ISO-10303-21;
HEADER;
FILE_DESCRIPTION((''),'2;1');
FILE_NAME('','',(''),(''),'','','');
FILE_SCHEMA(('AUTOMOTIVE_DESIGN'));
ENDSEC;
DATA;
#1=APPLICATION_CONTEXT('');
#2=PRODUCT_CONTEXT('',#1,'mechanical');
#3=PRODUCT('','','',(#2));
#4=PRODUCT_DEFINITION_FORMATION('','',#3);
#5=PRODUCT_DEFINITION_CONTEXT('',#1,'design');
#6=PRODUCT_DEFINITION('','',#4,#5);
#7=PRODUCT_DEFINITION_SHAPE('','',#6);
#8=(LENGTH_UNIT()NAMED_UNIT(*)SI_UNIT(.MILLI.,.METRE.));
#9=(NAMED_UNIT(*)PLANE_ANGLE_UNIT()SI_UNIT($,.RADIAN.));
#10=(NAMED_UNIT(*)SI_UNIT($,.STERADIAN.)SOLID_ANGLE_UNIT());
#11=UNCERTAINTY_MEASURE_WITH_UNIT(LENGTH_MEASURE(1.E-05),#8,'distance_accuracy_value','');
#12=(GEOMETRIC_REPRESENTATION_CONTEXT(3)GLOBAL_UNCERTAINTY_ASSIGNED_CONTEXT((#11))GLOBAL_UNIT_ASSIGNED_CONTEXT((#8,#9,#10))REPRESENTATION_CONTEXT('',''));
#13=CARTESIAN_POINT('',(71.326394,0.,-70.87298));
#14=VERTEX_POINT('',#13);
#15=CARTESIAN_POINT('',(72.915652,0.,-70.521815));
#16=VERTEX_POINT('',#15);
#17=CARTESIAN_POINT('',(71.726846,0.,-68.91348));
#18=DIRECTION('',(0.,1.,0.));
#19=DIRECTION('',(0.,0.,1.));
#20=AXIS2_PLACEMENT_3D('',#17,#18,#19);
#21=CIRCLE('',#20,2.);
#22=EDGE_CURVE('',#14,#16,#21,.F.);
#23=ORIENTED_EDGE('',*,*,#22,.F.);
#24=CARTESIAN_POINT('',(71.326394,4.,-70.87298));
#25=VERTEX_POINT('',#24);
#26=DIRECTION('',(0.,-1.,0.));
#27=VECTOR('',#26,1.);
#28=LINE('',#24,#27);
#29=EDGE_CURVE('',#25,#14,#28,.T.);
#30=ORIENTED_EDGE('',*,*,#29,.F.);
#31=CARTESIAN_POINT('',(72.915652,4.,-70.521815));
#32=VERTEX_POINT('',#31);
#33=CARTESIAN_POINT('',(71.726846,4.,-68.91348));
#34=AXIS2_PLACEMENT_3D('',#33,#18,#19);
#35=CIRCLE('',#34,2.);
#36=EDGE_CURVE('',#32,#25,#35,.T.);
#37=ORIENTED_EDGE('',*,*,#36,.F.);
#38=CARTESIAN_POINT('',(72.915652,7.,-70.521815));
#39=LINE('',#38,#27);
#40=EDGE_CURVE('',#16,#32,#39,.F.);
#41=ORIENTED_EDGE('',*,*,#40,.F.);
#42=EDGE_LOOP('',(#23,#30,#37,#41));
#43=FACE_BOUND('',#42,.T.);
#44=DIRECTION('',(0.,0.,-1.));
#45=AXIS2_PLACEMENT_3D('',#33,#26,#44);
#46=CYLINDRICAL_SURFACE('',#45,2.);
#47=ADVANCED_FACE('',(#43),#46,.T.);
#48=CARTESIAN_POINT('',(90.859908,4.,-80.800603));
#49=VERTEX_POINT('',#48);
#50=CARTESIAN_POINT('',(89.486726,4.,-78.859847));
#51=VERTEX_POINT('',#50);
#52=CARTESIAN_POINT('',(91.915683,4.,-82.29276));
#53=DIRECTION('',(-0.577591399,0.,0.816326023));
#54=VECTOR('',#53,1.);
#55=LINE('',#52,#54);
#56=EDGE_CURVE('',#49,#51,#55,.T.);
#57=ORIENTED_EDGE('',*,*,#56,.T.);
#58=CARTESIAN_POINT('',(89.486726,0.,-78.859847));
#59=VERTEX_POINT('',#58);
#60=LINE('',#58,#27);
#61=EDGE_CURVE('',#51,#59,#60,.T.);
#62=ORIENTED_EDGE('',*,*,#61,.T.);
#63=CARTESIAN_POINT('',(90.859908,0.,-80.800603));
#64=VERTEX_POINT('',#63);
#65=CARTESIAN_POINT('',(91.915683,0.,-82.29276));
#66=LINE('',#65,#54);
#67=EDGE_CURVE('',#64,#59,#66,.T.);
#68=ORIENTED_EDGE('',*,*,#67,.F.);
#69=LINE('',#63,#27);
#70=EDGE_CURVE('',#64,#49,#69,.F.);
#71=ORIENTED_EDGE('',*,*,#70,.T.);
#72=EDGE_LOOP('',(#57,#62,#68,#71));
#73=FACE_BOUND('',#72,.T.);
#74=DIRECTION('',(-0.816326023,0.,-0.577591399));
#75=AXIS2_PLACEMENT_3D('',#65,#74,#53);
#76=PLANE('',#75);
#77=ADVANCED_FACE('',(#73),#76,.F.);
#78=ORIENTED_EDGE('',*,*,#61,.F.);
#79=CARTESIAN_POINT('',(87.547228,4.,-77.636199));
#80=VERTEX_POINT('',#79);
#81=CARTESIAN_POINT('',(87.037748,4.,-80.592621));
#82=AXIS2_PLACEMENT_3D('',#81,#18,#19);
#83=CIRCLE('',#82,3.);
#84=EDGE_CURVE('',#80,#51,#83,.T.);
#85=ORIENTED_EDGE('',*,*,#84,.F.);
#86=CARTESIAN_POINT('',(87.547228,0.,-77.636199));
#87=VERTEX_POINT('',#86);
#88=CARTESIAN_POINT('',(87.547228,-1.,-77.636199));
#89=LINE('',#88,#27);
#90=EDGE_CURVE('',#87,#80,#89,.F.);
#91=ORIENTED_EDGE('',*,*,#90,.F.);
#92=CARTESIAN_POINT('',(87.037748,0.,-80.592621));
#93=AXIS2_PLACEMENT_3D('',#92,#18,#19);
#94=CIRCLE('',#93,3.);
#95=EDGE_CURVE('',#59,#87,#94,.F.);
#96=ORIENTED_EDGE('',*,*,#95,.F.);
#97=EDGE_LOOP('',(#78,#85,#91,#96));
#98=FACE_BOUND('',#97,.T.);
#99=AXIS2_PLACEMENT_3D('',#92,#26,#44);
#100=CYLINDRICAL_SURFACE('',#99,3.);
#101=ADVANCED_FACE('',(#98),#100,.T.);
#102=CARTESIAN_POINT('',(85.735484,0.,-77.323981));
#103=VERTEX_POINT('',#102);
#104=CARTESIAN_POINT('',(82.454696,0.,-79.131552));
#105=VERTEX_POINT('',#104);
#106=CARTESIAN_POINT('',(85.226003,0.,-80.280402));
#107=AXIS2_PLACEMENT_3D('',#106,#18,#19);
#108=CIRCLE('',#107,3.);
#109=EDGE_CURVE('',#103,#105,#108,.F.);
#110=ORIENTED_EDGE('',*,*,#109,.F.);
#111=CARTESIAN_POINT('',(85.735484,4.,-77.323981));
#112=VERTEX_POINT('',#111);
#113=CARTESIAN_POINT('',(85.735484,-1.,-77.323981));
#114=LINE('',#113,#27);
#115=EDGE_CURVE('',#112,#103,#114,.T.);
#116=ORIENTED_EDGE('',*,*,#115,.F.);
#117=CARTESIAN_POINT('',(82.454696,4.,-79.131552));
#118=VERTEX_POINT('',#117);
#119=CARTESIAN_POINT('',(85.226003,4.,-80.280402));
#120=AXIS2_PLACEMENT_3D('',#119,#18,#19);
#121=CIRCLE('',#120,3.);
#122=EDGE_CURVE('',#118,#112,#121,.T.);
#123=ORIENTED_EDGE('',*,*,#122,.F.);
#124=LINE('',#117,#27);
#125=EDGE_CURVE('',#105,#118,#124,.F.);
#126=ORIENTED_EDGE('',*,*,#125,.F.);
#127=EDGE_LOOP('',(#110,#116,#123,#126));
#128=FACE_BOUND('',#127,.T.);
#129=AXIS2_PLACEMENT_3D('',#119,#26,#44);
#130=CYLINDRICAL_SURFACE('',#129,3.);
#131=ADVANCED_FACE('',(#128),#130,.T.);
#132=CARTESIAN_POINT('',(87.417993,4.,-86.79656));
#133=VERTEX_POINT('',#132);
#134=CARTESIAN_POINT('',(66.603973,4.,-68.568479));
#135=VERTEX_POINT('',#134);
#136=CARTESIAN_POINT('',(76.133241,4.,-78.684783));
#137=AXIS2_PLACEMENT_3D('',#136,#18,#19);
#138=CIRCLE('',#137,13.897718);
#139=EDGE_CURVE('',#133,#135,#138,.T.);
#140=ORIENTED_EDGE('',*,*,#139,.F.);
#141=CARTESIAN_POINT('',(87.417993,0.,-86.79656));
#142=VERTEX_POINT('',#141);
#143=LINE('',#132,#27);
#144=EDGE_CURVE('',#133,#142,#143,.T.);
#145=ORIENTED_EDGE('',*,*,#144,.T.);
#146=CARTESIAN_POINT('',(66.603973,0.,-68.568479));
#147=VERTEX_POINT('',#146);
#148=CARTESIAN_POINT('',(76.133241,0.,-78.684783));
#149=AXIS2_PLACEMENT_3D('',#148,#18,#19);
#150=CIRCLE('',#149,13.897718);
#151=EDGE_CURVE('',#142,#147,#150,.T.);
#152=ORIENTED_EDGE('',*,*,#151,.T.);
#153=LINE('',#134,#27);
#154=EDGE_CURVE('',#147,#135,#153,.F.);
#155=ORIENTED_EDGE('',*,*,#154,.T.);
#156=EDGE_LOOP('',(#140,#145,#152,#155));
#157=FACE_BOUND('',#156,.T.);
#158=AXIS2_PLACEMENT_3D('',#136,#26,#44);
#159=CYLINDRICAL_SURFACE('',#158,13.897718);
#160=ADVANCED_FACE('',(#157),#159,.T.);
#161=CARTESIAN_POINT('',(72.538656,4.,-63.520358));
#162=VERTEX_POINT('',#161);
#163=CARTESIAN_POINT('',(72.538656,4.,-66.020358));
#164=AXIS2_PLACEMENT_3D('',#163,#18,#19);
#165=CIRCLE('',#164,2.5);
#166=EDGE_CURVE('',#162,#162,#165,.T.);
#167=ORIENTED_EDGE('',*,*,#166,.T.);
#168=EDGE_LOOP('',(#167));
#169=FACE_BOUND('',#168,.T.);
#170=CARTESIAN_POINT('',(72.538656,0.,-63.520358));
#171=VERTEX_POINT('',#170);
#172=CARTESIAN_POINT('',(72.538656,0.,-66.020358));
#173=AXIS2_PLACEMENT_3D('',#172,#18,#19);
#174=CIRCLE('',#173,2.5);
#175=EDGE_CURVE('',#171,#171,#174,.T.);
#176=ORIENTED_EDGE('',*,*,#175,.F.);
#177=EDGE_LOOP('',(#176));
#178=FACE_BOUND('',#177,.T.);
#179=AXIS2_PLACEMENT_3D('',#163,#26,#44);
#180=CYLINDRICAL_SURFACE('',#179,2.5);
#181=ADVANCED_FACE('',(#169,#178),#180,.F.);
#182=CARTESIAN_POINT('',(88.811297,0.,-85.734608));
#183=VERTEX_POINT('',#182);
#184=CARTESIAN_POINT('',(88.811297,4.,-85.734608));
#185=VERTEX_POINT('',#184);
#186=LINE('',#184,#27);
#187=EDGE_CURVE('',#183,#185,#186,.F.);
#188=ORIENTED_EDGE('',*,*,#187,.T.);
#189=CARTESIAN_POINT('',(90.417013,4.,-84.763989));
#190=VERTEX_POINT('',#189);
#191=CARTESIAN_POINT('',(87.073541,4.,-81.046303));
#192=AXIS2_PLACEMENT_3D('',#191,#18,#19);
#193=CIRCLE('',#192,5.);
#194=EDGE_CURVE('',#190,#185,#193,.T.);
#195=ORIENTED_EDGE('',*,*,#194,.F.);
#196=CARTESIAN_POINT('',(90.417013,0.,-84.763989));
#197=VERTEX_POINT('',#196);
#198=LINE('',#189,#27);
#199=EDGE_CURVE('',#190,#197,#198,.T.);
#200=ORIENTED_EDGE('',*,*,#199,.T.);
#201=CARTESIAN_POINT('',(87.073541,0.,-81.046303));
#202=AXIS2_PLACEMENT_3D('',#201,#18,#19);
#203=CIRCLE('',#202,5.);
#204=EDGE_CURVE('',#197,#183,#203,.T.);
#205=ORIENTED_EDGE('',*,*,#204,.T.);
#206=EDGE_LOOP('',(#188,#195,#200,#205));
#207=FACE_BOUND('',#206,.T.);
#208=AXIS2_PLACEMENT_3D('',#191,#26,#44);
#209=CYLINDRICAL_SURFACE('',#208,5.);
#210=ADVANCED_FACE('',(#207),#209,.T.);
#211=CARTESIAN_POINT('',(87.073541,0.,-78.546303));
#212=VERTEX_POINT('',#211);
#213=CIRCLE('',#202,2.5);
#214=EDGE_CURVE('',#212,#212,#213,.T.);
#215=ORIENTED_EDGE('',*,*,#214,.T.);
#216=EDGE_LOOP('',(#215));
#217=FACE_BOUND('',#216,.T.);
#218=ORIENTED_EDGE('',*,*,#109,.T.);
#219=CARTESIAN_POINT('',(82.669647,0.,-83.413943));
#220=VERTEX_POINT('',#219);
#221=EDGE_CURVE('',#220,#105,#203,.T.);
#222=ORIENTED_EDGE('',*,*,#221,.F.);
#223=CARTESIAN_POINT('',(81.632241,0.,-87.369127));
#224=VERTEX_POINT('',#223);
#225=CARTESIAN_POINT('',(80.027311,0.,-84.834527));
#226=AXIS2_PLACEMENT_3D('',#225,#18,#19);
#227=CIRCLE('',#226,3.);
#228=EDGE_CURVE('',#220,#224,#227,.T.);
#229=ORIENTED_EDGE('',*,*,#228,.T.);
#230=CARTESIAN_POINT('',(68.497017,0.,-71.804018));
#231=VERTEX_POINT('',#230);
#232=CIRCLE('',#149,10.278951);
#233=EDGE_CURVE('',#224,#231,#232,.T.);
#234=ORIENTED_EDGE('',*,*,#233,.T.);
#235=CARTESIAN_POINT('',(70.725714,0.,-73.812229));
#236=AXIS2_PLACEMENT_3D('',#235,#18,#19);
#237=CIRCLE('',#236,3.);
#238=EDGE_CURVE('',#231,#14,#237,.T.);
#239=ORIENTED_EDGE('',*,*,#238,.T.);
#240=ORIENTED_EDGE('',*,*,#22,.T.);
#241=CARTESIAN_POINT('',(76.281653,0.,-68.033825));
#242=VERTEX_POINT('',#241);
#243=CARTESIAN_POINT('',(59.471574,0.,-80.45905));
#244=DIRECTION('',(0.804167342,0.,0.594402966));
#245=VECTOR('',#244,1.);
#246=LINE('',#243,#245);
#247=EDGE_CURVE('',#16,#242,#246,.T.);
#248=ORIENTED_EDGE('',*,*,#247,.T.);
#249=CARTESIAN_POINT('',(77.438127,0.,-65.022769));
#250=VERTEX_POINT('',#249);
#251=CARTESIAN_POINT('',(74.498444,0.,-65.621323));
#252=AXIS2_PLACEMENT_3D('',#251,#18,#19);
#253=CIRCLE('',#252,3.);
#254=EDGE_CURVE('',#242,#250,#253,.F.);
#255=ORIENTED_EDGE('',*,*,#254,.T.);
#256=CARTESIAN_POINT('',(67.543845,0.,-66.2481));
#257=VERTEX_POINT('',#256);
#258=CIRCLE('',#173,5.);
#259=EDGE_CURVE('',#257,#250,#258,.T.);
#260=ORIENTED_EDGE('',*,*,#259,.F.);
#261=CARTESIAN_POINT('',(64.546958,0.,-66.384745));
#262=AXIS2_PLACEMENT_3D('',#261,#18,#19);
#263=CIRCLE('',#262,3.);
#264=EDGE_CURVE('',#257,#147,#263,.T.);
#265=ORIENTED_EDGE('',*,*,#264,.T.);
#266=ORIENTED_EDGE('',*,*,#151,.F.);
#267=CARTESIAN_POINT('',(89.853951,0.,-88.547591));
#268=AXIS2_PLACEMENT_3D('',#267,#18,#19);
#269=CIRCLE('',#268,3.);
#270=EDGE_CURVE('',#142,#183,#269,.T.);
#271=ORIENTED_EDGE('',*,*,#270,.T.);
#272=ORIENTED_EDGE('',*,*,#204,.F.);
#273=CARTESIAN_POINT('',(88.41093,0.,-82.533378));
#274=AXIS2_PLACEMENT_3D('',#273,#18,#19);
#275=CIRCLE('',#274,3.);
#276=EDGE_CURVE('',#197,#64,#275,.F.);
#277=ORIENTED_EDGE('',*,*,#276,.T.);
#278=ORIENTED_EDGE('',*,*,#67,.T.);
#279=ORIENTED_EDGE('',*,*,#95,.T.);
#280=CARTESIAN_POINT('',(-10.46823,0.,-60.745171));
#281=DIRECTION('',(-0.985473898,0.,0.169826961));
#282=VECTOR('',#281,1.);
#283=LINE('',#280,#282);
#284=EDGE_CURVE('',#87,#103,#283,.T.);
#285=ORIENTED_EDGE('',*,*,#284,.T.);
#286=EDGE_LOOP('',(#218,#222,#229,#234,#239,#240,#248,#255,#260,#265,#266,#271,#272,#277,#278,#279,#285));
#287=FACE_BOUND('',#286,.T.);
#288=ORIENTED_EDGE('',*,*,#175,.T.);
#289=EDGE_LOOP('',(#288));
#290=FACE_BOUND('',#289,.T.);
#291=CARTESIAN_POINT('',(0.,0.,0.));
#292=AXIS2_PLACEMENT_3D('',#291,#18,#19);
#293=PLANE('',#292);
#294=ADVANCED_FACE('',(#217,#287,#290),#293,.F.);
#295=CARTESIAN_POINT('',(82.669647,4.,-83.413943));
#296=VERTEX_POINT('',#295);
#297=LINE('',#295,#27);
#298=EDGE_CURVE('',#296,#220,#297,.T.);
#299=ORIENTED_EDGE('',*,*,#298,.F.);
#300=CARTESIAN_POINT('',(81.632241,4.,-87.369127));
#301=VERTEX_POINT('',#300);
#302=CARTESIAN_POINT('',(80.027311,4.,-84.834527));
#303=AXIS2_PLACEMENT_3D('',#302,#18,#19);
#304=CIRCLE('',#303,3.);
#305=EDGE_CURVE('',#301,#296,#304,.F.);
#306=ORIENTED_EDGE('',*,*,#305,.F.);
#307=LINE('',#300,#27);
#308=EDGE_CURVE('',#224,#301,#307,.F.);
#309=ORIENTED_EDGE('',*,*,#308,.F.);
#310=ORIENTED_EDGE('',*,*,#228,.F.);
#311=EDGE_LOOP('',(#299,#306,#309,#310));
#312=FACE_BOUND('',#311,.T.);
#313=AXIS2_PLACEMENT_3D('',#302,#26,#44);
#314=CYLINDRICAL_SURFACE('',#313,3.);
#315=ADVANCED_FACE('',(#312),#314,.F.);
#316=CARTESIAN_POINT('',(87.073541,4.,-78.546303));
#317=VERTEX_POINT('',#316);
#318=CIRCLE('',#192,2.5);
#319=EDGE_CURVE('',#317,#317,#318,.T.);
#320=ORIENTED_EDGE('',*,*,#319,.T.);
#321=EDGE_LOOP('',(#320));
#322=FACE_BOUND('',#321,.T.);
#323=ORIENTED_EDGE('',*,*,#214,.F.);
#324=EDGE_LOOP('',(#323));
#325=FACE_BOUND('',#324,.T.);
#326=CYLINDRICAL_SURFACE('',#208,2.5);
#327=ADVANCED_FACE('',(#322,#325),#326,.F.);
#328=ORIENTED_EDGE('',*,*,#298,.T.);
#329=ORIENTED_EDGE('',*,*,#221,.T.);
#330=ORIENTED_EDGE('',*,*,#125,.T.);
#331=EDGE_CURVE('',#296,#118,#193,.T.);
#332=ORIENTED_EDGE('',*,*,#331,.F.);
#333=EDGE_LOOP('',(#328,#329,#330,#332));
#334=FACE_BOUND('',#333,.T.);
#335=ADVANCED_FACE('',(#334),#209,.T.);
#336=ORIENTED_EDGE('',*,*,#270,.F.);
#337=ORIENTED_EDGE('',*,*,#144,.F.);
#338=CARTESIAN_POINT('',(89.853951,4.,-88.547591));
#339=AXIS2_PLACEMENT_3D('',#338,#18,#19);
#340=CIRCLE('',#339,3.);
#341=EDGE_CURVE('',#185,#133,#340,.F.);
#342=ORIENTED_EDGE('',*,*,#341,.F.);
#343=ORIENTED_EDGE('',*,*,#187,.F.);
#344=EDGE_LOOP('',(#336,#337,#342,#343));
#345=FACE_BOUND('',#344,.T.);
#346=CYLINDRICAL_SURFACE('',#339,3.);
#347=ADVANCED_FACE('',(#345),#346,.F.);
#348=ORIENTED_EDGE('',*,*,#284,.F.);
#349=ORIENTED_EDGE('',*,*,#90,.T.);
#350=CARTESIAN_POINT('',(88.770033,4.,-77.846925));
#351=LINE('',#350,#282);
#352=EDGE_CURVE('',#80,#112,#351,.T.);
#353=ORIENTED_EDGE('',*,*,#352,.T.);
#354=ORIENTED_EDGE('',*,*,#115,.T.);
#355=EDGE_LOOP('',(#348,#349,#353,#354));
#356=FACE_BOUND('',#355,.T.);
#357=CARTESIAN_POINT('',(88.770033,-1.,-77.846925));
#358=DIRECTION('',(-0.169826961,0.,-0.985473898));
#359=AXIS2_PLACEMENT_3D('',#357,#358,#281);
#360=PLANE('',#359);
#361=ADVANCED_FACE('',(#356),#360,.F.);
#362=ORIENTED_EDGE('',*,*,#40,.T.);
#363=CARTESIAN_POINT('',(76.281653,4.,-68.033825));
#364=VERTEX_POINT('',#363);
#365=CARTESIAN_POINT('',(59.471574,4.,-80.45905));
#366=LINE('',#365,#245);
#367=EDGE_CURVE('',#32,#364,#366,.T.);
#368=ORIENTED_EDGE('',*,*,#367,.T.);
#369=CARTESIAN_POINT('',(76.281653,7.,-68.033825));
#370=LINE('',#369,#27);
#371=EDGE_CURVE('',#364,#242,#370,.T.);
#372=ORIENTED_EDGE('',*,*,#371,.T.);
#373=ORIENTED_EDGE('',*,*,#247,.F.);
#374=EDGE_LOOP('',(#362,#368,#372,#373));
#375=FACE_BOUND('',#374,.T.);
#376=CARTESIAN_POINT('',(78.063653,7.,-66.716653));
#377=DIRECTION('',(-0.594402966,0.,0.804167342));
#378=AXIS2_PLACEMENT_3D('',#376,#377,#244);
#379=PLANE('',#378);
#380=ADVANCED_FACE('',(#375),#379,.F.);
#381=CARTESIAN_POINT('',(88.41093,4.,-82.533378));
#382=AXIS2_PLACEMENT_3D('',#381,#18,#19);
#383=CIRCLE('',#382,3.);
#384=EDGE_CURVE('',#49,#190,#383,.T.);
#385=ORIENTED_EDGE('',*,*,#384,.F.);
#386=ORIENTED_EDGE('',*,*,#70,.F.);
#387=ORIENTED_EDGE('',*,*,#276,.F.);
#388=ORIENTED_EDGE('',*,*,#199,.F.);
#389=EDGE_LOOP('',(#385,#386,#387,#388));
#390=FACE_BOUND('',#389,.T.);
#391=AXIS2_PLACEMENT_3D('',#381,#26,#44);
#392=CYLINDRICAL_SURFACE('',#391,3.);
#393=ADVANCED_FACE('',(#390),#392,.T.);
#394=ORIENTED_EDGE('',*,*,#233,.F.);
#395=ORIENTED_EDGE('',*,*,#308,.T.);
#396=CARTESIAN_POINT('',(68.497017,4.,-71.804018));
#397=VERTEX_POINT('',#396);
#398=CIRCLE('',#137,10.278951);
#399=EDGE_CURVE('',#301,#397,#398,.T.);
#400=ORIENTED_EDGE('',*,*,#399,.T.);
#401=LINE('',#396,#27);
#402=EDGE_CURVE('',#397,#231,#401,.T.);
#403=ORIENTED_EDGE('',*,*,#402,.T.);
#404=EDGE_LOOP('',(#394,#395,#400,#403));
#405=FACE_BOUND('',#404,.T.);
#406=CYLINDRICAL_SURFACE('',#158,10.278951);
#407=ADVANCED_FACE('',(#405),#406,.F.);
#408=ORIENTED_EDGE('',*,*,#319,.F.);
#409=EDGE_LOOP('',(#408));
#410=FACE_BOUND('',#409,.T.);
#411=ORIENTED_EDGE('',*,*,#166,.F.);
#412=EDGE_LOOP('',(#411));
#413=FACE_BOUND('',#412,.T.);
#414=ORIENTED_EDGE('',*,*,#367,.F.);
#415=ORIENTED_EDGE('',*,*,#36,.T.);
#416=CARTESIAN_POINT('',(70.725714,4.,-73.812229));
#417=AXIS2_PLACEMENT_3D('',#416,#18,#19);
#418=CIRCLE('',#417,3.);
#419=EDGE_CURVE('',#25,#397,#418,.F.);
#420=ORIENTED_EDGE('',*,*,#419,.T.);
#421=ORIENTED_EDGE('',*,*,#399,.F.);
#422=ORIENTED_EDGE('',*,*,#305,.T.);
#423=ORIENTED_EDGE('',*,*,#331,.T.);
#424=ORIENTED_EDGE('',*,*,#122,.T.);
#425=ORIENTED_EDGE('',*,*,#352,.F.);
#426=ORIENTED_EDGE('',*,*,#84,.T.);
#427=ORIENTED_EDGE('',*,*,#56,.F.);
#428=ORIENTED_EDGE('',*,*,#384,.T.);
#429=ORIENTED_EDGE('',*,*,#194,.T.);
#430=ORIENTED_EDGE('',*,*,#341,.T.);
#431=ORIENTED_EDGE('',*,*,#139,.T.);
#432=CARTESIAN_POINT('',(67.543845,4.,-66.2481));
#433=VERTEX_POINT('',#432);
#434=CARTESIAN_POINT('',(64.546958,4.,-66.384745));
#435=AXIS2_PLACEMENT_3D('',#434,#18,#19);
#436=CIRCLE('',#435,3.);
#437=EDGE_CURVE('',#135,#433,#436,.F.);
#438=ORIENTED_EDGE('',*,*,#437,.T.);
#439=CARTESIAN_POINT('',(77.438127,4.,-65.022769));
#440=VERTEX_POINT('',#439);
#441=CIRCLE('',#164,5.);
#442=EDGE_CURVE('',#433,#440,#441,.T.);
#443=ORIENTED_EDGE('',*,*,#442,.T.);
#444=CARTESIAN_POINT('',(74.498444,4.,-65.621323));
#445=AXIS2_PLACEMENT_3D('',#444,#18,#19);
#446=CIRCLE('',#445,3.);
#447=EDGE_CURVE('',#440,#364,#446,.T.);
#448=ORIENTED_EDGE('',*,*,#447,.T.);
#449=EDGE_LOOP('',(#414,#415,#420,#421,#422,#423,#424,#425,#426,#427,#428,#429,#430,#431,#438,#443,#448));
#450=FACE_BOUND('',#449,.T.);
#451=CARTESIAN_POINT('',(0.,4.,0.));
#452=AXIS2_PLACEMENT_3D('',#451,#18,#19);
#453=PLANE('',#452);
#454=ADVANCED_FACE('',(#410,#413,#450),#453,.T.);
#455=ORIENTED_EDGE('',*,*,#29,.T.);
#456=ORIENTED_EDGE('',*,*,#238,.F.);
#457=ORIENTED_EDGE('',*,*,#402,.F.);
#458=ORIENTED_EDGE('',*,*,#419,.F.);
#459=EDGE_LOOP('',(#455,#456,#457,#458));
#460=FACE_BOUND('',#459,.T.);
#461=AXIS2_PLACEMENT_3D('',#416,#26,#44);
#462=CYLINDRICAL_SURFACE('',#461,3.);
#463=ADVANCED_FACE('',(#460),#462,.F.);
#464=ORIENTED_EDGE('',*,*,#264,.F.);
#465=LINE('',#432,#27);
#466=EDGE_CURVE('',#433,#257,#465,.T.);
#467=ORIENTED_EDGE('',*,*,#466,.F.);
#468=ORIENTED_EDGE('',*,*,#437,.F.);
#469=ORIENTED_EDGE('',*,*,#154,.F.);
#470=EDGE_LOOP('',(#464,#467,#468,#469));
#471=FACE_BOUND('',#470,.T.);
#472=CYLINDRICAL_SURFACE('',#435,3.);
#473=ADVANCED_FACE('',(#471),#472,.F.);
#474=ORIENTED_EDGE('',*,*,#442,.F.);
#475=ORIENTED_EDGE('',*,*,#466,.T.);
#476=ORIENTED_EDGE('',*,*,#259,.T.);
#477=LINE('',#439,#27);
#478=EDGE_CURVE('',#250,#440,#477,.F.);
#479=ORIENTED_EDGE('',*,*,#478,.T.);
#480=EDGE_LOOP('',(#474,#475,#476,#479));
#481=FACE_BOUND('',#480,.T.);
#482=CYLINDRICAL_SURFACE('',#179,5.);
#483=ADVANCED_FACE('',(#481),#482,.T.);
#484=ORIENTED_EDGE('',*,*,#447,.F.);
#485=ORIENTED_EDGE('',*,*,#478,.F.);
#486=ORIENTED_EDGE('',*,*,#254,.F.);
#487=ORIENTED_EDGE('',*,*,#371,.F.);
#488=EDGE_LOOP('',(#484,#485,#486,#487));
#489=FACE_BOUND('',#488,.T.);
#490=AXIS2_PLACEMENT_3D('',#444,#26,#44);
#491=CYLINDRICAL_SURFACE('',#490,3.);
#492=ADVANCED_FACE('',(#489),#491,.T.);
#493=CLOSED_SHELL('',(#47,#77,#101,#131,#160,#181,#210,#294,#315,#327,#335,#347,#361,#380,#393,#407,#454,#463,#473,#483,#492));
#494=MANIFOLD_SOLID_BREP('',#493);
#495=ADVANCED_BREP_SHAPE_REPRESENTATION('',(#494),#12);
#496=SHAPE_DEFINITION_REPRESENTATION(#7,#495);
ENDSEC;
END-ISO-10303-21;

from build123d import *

# Parameters (mm, degrees)
SKETCH2_R           = 2.5
BOSS_EXTRUDE1_DEPTH = 4
FILLET1_R           = 3
CUT_EXTRUDE2_DEPTH  = 7
FILLET2_R           = 3
FILLET3_R           = 2
CUT_EXTRUDE3_DEPTH  = 4
FILLET4_R           = 3
CUT_EXTRUDE4_DEPTH  = 5
FILLET5_R           = 3


with BuildPart() as part:
    # Sketch2 → Boss-Extrude1 (new body)
    with BuildSketch(Plane(origin=(0, 0, 0), x_dir=(1, 0, 0), z_dir=(0, 1, 0))):
        with BuildLine():
            ThreePointArc((70.082441242, 70.375471459), (68.701032678, 85.785425288), (84.157953122, 85.10824213))
            ThreePointArc((84.157953122, 85.10824213), (88.169530247, 76.167900978), (87.971523368, 85.965004847))
            ThreePointArc((87.971523368, 85.965004847), (66.773130519, 88.957801307), (67.785886209, 67.573156911))
            ThreePointArc((67.785886209, 67.573156911), (76.405902982, 62.851068524), (70.082441242, 70.375471459))
        make_face()
        with Locations(Location((72.538655529, 66.020358214, 0), (0, 0, 270))):
            Circle(SKETCH2_R, mode=Mode.SUBTRACT)
        with Locations(Location((87.073540725, 81.04630307, 0), (0, 0, 270))):
            Circle(SKETCH2_R, mode=Mode.SUBTRACT)
    extrude(amount=BOSS_EXTRUDE1_DEPTH)

    # Fillet1
    fillet1_edges = [part.edges().sort_by_distance(p)[0] for p in [
        (84.157953122, 2, -85.10824213),
        (70.082441242, 2, -70.375471459),
        (67.785886209, 2, -67.573156911),
        (87.971523368, 2, -85.965004847),
    ]]
    fillet(fillet1_edges, radius=FILLET1_R)

    # Sketch4 → Cut-Extrude2 (cut)
    with BuildSketch(Plane(origin=(0, 0, 0), x_dir=(-1, 0, 0), z_dir=(0, -1, 0))):
        Polygon((-78.063653069, 66.716653157), (-72.1449642, 71.091471725), (-73.077184563, 72.352671977), (-78.995873431, 67.977853409), align=None)
    extrude(amount=-CUT_EXTRUDE2_DEPTH, mode=Mode.SUBTRACT)

    # Fillet2
    fillet2_edges = [part.edges().sort_by_distance(p)[0] for p in [
        (77.394817884, 2, -67.211024909),
    ]]
    fillet(fillet2_edges, radius=FILLET2_R)

    # Fillet3
    fillet3_edges = [part.edges().sort_by_distance(p)[0] for p in [
        (72.252278132, 2, -71.012150275),
    ]]
    fillet(fillet3_edges, radius=FILLET3_R)

    # Sketch5 → Cut-Extrude3 (cut)
    with BuildSketch(Plane(origin=(0, 4, 0), x_dir=(1, 0, 0), z_dir=(0, 1, 0))):
        Polygon((91.915683274, 82.292760262), (87.509474915, 76.065343184), (89.248604191, 74.615528375), (94.045863103, 81.084803637), align=None)
    extrude(amount=-CUT_EXTRUDE3_DEPTH, mode=Mode.SUBTRACT)

    # Fillet4
    fillet4_edges = [part.edges().sort_by_distance(p)[0] for p in [
        (91.915683274, 2, -82.292760262),
        (87.509474915, 2, -76.065343184),
    ]]
    fillet(fillet4_edges, radius=FILLET4_R)

    # Sketch6 → Cut-Extrude4 (cut)
    with BuildSketch(Plane(origin=(0, 4, 0), x_dir=(1, 0, 0), z_dir=(0, 1, 0))):
        Polygon((88.770033289, 77.846925466), (84.083019815, 77.039211271), (84.659332186, 75.34612768), (89.090596179, 75.986759337), align=None)
    extrude(amount=-CUT_EXTRUDE4_DEPTH, mode=Mode.SUBTRACT)

    # Fillet5
    fillet5_edges = [part.edges().sort_by_distance(p)[0] for p in [
        (88.770033289, 2, -77.846925466),
        (84.083019815, 2, -77.039211271),
    ]]
    fillet(fillet5_edges, radius=FILLET5_R)


solid = part.part
